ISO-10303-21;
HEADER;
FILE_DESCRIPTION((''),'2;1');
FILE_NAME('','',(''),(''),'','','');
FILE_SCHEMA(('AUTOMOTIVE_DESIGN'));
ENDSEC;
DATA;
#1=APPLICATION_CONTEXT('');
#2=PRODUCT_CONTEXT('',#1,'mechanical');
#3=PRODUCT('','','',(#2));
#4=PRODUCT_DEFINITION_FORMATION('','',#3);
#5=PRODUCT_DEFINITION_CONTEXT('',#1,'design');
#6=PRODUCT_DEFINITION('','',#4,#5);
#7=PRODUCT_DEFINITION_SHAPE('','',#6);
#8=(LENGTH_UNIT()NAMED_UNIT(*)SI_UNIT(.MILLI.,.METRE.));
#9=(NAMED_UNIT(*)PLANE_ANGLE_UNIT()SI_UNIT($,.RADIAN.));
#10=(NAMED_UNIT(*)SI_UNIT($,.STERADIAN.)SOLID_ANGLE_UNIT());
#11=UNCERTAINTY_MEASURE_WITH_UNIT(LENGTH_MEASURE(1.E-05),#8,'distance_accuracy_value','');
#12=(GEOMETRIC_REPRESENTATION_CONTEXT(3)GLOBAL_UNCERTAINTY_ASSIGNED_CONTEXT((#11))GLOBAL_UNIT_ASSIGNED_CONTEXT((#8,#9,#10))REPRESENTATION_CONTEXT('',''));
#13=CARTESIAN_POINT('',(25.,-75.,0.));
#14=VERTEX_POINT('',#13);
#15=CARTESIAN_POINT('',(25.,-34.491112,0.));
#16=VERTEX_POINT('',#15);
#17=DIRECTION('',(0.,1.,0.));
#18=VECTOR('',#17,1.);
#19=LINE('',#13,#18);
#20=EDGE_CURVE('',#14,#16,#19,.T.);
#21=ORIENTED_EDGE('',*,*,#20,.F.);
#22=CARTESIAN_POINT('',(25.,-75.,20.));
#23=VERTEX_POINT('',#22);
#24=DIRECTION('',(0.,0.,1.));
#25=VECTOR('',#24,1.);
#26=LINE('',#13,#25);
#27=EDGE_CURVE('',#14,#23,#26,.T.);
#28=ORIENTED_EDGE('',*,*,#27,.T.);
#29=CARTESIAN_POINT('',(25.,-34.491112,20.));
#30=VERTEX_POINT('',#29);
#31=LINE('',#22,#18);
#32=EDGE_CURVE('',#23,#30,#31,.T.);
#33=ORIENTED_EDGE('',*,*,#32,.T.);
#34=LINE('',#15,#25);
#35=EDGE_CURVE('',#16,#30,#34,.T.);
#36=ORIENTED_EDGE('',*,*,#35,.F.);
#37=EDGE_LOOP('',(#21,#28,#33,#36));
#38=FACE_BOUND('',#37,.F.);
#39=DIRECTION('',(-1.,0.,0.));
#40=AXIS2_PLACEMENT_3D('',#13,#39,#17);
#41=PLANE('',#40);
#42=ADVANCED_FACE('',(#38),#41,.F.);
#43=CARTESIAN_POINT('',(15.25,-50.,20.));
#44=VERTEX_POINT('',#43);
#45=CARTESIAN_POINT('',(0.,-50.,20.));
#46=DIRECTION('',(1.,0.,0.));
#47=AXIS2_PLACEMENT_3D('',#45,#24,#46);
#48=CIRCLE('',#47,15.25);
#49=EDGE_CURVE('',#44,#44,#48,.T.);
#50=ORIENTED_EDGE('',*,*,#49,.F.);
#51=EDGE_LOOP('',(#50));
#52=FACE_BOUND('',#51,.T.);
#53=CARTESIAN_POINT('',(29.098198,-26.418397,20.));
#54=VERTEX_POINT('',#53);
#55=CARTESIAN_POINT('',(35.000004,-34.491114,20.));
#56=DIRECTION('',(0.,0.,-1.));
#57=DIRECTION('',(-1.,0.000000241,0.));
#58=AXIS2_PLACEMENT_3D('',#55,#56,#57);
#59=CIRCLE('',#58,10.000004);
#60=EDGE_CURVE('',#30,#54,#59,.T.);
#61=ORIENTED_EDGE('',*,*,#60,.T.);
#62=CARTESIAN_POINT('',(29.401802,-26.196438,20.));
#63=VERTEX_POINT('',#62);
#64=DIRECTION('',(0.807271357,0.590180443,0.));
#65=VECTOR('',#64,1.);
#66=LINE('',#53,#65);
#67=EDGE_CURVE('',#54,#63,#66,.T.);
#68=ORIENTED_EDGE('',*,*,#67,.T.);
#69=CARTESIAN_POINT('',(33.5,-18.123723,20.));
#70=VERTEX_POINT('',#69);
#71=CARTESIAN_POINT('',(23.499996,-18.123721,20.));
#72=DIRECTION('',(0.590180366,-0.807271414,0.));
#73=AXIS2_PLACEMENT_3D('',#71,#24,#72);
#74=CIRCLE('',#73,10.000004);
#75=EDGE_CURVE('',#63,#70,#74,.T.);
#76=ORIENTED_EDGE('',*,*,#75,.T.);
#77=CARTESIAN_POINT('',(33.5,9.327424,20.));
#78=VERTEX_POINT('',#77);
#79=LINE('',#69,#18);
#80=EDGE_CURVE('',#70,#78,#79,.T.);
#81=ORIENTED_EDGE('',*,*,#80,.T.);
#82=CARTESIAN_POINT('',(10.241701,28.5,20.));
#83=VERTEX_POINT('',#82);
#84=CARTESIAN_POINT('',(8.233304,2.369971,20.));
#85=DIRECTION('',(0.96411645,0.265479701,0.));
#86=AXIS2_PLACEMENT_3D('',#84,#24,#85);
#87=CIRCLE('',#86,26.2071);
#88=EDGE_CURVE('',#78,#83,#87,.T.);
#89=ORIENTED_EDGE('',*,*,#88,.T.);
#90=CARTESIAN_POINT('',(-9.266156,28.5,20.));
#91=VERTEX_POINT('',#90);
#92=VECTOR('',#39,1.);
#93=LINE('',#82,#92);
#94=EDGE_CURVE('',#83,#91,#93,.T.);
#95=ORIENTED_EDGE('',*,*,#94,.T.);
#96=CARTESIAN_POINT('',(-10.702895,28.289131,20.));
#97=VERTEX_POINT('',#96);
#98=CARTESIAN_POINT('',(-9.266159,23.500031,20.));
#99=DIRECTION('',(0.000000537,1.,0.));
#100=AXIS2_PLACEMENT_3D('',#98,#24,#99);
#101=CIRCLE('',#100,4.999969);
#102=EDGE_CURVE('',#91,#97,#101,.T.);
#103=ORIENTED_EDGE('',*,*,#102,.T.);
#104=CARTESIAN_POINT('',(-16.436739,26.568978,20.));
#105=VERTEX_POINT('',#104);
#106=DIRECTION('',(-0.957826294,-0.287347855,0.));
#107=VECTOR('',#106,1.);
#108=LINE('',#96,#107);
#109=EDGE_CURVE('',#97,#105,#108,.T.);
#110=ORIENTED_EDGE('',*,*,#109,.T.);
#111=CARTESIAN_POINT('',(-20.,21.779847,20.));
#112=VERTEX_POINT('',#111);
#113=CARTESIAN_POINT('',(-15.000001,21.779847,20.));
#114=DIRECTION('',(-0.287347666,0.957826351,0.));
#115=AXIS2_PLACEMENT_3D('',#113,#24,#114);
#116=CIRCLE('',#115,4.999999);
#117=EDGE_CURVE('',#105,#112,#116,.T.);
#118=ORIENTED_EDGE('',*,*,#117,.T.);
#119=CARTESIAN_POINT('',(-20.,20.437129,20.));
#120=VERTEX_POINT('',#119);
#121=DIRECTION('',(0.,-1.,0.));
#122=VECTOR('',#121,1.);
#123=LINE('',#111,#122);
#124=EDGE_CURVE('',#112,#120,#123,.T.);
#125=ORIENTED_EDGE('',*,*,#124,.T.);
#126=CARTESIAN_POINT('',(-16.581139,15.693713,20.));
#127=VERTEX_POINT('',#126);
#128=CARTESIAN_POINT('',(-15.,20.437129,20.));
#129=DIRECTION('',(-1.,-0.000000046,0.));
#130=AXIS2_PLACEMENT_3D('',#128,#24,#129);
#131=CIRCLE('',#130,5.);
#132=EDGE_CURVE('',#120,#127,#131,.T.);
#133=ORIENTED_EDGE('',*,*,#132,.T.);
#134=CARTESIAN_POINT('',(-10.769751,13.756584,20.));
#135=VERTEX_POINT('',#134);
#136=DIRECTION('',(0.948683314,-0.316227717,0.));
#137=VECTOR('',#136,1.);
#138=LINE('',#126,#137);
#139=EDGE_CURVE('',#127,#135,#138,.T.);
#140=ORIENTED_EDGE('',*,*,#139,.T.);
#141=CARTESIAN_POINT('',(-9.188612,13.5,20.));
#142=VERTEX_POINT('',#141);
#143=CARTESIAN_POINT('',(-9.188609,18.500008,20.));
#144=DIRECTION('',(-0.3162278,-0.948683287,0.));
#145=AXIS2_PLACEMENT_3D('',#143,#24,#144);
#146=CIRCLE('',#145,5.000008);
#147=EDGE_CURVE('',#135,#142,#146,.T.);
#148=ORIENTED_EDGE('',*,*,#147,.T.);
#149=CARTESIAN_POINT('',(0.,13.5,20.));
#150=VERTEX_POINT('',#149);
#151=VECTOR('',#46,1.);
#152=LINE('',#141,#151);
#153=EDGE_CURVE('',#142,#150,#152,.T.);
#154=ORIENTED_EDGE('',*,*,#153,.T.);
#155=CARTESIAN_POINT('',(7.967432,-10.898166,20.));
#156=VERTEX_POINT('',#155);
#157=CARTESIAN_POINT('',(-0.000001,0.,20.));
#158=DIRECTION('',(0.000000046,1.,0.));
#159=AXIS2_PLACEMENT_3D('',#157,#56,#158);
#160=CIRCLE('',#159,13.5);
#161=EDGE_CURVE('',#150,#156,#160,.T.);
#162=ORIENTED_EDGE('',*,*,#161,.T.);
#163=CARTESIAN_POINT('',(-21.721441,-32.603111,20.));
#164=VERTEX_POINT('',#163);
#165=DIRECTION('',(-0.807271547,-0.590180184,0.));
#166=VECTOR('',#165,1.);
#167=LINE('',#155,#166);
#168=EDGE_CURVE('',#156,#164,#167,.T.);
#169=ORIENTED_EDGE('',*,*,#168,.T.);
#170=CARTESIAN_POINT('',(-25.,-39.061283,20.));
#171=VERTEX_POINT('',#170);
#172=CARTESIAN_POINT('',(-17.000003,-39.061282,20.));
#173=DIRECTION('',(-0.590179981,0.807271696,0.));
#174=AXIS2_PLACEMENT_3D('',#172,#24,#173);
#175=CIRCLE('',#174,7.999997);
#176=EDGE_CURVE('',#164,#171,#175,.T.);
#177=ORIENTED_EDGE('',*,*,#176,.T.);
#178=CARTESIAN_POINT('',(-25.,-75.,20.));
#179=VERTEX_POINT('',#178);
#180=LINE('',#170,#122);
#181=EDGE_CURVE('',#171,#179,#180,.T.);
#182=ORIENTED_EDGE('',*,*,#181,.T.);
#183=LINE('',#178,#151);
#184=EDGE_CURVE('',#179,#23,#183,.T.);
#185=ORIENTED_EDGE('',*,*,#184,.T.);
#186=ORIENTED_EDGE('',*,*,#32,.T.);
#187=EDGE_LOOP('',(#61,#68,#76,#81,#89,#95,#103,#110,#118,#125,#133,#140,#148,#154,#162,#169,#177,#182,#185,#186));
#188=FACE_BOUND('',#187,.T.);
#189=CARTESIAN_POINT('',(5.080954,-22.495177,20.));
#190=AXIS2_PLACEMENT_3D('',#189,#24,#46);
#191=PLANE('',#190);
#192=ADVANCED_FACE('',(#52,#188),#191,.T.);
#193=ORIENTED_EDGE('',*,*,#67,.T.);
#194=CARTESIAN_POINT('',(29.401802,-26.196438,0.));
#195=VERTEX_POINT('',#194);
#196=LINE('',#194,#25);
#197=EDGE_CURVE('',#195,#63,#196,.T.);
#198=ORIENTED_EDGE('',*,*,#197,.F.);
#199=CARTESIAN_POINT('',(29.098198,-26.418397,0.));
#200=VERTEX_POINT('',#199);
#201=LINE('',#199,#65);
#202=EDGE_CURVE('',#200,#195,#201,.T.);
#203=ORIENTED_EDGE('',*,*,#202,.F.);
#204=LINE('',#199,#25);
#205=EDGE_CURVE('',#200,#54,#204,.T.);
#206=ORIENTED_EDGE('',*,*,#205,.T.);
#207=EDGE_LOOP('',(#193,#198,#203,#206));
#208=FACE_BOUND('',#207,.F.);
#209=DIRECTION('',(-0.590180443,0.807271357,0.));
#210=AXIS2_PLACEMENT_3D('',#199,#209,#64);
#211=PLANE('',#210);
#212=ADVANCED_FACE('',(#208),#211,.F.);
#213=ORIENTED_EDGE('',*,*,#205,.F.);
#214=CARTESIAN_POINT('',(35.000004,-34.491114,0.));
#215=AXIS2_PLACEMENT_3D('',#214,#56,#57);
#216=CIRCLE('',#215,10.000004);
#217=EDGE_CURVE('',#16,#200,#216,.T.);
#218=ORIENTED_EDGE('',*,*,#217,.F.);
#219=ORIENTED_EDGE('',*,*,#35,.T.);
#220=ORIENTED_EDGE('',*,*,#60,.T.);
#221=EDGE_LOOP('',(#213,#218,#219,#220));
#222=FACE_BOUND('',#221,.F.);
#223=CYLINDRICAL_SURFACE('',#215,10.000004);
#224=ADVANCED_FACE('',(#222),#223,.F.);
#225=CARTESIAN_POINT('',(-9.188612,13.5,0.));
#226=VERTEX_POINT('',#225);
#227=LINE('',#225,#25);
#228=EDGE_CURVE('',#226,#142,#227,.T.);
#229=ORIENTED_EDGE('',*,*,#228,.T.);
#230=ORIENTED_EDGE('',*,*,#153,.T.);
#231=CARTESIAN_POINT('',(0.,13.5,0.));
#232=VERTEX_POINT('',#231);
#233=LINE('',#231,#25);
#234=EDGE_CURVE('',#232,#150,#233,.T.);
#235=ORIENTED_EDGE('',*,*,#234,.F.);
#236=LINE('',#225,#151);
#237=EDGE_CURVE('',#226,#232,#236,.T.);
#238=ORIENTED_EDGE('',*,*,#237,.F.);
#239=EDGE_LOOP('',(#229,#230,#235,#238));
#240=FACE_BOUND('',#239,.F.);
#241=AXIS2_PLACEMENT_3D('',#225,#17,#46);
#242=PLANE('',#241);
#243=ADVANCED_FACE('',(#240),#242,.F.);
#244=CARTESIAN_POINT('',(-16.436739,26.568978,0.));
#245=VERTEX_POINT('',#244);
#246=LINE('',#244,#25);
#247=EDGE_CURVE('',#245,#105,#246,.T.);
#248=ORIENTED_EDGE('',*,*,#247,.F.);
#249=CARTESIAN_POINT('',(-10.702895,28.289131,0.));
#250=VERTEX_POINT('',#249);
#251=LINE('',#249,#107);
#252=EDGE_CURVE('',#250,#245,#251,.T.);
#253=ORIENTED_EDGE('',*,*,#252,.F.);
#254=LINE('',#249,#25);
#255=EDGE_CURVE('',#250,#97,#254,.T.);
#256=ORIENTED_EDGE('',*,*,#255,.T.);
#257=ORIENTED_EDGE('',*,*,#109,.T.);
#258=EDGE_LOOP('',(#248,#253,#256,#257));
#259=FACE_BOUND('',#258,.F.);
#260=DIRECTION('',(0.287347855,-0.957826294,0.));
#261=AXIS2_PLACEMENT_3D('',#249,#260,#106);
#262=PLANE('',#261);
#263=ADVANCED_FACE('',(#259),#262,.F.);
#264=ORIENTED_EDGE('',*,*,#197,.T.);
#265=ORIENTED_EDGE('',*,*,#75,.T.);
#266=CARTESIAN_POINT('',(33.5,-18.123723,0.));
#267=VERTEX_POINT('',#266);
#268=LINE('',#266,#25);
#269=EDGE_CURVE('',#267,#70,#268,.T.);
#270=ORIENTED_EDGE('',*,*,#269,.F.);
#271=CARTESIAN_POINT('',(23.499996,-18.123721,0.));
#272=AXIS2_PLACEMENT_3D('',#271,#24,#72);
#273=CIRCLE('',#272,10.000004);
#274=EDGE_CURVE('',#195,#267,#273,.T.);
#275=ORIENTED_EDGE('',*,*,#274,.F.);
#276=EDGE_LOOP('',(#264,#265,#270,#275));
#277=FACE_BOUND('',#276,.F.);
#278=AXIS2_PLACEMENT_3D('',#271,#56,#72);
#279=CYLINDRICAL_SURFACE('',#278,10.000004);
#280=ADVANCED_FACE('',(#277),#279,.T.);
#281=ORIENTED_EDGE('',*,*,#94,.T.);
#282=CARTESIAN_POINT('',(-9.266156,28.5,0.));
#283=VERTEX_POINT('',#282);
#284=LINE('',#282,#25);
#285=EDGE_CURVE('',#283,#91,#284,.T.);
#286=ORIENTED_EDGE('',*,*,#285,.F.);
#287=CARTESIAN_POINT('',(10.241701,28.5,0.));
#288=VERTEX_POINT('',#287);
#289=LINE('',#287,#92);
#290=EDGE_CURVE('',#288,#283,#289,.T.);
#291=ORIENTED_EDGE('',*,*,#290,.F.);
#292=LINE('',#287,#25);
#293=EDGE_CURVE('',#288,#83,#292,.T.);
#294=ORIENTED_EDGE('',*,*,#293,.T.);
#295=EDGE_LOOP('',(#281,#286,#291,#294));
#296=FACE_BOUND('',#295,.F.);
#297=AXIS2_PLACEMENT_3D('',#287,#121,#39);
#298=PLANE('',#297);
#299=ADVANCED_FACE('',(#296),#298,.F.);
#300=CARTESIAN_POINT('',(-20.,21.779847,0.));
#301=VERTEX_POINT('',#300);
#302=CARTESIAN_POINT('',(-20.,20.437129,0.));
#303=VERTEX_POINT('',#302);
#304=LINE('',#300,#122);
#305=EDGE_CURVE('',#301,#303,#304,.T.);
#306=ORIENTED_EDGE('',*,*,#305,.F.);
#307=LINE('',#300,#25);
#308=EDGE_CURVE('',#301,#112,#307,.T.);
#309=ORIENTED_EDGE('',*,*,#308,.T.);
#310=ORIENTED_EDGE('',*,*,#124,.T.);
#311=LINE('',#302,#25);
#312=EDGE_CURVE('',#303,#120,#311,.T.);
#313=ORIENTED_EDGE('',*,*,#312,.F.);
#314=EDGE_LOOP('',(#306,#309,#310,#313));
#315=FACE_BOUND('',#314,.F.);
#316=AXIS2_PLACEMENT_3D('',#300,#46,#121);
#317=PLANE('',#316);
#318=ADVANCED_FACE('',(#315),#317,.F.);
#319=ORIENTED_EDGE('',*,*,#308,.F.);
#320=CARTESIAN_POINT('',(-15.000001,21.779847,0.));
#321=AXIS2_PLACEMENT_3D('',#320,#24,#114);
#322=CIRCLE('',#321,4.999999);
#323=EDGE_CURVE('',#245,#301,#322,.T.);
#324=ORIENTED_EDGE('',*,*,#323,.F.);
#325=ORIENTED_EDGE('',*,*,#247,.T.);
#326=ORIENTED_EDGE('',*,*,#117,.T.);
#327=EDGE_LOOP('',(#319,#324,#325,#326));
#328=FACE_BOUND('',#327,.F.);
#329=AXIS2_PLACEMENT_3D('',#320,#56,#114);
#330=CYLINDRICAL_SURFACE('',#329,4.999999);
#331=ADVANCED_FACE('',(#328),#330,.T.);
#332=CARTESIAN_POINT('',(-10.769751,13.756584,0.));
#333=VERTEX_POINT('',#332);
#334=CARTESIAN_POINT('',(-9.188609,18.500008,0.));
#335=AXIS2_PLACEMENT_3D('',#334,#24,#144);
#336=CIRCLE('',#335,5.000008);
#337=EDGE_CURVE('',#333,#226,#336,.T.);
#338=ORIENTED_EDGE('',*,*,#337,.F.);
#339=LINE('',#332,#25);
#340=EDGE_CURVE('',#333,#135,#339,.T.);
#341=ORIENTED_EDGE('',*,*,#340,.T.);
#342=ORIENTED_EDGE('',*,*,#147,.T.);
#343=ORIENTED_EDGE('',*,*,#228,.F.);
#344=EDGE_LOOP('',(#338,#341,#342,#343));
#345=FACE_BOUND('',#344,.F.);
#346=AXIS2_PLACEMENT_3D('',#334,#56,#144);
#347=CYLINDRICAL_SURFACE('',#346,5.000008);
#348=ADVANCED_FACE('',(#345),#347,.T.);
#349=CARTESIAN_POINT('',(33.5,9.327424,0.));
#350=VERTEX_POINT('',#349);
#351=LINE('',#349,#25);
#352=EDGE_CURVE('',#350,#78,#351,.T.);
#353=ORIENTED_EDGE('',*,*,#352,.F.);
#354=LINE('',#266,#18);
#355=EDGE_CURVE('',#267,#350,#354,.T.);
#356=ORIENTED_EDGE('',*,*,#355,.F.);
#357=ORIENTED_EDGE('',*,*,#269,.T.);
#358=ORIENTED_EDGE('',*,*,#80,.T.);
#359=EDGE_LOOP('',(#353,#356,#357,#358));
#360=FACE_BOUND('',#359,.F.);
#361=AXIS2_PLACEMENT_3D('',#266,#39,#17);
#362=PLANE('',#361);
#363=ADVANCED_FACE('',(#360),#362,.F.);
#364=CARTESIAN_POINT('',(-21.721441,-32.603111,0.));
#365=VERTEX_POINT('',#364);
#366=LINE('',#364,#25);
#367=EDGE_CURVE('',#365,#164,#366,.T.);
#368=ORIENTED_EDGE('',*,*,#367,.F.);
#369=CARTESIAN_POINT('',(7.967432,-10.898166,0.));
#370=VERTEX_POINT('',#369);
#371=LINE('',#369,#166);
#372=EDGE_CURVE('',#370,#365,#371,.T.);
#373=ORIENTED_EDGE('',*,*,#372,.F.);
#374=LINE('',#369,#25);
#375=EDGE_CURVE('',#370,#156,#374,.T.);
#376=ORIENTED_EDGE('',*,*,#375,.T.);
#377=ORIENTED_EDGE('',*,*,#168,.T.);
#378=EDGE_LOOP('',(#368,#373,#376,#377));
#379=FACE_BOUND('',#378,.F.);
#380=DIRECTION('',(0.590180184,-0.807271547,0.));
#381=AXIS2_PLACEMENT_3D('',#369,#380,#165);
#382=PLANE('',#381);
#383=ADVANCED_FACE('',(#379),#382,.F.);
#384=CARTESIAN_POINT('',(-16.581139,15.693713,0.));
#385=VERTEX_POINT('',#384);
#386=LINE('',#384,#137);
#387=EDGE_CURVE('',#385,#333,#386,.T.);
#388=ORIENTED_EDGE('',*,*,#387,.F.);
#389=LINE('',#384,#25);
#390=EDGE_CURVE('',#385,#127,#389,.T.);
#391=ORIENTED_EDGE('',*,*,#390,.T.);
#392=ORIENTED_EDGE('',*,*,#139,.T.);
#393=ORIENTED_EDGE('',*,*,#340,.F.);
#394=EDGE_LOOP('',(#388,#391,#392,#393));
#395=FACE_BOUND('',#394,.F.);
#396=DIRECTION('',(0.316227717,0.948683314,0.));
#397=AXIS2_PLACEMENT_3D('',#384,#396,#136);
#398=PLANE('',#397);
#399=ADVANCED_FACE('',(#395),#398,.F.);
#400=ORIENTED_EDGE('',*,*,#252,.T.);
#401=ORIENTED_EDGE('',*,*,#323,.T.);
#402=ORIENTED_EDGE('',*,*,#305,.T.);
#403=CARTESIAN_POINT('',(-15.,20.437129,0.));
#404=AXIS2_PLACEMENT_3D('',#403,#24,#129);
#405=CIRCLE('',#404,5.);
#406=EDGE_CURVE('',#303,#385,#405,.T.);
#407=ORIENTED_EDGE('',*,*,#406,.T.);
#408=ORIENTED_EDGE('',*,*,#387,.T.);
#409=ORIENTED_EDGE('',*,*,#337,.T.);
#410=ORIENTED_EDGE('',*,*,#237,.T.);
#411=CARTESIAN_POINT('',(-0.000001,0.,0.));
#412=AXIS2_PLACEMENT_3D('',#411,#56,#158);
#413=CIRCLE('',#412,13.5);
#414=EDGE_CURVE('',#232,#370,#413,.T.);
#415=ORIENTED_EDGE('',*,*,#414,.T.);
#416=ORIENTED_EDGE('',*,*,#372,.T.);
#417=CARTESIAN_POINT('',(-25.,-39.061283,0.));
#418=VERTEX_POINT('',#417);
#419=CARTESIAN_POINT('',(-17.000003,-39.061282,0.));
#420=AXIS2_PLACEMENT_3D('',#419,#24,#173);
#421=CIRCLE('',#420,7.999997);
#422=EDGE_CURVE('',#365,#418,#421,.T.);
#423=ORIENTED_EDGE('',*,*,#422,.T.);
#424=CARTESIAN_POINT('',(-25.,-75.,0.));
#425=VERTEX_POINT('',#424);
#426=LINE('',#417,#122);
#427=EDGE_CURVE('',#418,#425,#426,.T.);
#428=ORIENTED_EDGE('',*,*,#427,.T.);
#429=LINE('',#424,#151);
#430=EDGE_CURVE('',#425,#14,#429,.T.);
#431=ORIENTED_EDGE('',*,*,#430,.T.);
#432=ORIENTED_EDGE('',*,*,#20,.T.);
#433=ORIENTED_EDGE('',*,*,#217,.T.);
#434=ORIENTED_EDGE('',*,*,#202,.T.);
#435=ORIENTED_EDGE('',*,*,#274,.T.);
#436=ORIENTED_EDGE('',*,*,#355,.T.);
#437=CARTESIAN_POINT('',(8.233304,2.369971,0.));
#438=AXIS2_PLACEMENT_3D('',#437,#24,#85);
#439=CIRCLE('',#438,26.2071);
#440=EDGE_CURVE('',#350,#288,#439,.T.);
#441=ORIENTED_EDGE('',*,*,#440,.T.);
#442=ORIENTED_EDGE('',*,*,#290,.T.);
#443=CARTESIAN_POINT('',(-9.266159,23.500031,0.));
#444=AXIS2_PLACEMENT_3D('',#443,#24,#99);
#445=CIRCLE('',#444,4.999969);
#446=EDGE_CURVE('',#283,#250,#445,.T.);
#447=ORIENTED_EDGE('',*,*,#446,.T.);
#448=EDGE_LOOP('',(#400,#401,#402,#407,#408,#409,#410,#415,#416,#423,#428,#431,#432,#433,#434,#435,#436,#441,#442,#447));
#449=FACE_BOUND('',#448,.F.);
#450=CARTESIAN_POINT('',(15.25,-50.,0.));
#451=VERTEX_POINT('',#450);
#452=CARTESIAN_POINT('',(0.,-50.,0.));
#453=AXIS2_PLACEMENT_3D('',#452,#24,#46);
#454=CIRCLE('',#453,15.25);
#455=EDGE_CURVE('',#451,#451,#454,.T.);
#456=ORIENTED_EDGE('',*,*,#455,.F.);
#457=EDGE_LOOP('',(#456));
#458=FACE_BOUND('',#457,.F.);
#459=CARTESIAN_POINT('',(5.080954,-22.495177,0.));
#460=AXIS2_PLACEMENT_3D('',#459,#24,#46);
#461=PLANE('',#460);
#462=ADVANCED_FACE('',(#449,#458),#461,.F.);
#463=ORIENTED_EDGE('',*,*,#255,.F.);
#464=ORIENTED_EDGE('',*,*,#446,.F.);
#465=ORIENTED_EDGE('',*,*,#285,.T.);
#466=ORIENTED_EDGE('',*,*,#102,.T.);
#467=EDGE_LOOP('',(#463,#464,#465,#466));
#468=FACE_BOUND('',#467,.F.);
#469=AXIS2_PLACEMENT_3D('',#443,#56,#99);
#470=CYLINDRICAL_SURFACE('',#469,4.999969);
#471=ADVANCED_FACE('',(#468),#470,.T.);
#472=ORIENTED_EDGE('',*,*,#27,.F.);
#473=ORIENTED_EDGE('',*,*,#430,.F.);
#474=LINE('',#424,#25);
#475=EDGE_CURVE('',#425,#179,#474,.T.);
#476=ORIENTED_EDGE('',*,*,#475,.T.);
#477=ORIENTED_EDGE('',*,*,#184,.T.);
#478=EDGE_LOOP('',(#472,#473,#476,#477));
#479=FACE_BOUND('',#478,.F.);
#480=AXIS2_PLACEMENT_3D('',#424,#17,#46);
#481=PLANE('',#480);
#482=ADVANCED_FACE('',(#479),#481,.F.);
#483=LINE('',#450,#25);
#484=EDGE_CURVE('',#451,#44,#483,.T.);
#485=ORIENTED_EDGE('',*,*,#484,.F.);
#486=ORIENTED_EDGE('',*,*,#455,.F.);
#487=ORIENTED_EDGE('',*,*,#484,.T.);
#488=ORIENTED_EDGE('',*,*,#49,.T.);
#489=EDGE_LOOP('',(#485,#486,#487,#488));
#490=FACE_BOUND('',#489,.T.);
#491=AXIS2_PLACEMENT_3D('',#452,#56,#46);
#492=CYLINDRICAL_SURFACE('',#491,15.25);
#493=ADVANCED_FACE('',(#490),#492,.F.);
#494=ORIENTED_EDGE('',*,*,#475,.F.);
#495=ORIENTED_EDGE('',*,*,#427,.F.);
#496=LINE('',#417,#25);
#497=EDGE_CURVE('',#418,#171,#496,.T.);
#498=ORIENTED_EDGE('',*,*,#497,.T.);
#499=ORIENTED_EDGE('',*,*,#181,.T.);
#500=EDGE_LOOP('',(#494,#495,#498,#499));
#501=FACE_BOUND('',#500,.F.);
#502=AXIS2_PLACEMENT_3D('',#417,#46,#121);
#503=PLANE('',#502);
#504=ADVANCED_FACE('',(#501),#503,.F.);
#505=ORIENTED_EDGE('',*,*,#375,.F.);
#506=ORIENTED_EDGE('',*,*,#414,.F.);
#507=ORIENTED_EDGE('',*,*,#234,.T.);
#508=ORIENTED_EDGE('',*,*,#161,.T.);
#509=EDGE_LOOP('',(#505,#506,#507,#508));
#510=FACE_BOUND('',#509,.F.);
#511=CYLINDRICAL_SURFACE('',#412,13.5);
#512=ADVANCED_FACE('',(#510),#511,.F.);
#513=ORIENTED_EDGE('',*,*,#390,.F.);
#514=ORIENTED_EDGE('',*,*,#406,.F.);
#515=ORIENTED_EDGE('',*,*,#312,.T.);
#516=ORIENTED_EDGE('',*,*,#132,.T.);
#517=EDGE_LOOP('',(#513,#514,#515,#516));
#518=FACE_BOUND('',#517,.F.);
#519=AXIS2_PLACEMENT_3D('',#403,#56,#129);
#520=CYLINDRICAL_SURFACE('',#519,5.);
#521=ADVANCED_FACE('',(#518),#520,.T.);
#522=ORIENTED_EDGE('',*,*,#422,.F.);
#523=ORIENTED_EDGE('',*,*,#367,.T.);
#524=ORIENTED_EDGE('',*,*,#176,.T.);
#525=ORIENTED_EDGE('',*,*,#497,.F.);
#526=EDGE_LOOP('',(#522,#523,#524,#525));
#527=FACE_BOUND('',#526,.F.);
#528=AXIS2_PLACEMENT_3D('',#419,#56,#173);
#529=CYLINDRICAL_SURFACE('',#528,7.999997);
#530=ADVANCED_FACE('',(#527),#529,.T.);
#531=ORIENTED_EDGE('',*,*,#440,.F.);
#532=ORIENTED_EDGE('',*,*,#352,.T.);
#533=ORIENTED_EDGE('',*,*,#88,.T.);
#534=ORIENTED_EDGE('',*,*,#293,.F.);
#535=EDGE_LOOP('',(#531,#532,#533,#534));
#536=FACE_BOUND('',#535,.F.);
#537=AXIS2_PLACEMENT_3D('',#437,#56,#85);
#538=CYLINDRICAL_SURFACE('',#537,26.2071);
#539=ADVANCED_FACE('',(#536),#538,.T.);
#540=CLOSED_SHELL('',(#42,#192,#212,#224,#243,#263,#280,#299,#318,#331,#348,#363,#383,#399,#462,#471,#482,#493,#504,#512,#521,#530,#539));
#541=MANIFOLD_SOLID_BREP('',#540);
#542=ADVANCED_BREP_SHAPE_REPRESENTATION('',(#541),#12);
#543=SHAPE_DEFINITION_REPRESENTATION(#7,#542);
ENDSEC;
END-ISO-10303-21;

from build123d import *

# Parameters (mm, degrees)
F0_R     = 15.25
F1_DEPTH = 20


with BuildPart() as f1:
    # F0 (on Top) → F1 (new body)
    with BuildSketch(Plane.XY):
        with BuildLine():
            ThreePointArc((0, 13.5), (12.833067, 4.190749), (7.967432, -10.898166))
            Line((7.967432, -10.898166), (-21.721441, -32.603111))
            ThreePointArc((-21.721441, -32.603111), (-24.133426, -35.439925), (-25, -39.061283))
            Line((-25, -39.061283), (-25, -75))
            Line((-25, -75), (25, -75))
            Line((25, -75), (25, -34.491112))
            ThreePointArc((25, -34.491112), (26.083218, -29.964415), (29.098198, -26.418397))
            Line((29.098198, -26.418397), (29.401802, -26.196438))
            ThreePointArc((29.401802, -26.196438), (32.416782, -22.65042), (33.5, -18.123723))
            Line((33.5, -18.123723), (33.5, 5.596963))
            Line((33.5, 5.596963), (33.5, 9.327424))
            ThreePointArc((33.5, 9.327424), (24.903025, 22.59205), (10.241701, 28.5))
            Line((10.241701, 28.5), (9.463226, 28.5))
            Line((9.463226, 28.5), (-9.266156, 28.5))
            ThreePointArc((-9.266156, 28.5), (-9.992222, 28.447002), (-10.702895, 28.289131))
            Line((-10.702895, 28.289131), (-16.436739, 26.568978))
            ThreePointArc((-16.436739, 26.568978), (-19.011465, 24.764499), (-20, 21.779847))
            Line((-20, 21.779847), (-20, 20.437129))
            ThreePointArc((-20, 20.437129), (-19.056211, 17.513578), (-16.581139, 15.693713))
            Line((-16.581139, 15.693713), (-10.769751, 13.756584))
            ThreePointArc((-10.769751, 13.756584), (-9.989523, 13.564563), (-9.188612, 13.5))
            Line((-9.188612, 13.5), (0, 13.5))
        make_face()
        with Locations((0, -50)):
            Circle(F0_R, mode=Mode.SUBTRACT)
    extrude(amount=F1_DEPTH)


solid = f1.part
